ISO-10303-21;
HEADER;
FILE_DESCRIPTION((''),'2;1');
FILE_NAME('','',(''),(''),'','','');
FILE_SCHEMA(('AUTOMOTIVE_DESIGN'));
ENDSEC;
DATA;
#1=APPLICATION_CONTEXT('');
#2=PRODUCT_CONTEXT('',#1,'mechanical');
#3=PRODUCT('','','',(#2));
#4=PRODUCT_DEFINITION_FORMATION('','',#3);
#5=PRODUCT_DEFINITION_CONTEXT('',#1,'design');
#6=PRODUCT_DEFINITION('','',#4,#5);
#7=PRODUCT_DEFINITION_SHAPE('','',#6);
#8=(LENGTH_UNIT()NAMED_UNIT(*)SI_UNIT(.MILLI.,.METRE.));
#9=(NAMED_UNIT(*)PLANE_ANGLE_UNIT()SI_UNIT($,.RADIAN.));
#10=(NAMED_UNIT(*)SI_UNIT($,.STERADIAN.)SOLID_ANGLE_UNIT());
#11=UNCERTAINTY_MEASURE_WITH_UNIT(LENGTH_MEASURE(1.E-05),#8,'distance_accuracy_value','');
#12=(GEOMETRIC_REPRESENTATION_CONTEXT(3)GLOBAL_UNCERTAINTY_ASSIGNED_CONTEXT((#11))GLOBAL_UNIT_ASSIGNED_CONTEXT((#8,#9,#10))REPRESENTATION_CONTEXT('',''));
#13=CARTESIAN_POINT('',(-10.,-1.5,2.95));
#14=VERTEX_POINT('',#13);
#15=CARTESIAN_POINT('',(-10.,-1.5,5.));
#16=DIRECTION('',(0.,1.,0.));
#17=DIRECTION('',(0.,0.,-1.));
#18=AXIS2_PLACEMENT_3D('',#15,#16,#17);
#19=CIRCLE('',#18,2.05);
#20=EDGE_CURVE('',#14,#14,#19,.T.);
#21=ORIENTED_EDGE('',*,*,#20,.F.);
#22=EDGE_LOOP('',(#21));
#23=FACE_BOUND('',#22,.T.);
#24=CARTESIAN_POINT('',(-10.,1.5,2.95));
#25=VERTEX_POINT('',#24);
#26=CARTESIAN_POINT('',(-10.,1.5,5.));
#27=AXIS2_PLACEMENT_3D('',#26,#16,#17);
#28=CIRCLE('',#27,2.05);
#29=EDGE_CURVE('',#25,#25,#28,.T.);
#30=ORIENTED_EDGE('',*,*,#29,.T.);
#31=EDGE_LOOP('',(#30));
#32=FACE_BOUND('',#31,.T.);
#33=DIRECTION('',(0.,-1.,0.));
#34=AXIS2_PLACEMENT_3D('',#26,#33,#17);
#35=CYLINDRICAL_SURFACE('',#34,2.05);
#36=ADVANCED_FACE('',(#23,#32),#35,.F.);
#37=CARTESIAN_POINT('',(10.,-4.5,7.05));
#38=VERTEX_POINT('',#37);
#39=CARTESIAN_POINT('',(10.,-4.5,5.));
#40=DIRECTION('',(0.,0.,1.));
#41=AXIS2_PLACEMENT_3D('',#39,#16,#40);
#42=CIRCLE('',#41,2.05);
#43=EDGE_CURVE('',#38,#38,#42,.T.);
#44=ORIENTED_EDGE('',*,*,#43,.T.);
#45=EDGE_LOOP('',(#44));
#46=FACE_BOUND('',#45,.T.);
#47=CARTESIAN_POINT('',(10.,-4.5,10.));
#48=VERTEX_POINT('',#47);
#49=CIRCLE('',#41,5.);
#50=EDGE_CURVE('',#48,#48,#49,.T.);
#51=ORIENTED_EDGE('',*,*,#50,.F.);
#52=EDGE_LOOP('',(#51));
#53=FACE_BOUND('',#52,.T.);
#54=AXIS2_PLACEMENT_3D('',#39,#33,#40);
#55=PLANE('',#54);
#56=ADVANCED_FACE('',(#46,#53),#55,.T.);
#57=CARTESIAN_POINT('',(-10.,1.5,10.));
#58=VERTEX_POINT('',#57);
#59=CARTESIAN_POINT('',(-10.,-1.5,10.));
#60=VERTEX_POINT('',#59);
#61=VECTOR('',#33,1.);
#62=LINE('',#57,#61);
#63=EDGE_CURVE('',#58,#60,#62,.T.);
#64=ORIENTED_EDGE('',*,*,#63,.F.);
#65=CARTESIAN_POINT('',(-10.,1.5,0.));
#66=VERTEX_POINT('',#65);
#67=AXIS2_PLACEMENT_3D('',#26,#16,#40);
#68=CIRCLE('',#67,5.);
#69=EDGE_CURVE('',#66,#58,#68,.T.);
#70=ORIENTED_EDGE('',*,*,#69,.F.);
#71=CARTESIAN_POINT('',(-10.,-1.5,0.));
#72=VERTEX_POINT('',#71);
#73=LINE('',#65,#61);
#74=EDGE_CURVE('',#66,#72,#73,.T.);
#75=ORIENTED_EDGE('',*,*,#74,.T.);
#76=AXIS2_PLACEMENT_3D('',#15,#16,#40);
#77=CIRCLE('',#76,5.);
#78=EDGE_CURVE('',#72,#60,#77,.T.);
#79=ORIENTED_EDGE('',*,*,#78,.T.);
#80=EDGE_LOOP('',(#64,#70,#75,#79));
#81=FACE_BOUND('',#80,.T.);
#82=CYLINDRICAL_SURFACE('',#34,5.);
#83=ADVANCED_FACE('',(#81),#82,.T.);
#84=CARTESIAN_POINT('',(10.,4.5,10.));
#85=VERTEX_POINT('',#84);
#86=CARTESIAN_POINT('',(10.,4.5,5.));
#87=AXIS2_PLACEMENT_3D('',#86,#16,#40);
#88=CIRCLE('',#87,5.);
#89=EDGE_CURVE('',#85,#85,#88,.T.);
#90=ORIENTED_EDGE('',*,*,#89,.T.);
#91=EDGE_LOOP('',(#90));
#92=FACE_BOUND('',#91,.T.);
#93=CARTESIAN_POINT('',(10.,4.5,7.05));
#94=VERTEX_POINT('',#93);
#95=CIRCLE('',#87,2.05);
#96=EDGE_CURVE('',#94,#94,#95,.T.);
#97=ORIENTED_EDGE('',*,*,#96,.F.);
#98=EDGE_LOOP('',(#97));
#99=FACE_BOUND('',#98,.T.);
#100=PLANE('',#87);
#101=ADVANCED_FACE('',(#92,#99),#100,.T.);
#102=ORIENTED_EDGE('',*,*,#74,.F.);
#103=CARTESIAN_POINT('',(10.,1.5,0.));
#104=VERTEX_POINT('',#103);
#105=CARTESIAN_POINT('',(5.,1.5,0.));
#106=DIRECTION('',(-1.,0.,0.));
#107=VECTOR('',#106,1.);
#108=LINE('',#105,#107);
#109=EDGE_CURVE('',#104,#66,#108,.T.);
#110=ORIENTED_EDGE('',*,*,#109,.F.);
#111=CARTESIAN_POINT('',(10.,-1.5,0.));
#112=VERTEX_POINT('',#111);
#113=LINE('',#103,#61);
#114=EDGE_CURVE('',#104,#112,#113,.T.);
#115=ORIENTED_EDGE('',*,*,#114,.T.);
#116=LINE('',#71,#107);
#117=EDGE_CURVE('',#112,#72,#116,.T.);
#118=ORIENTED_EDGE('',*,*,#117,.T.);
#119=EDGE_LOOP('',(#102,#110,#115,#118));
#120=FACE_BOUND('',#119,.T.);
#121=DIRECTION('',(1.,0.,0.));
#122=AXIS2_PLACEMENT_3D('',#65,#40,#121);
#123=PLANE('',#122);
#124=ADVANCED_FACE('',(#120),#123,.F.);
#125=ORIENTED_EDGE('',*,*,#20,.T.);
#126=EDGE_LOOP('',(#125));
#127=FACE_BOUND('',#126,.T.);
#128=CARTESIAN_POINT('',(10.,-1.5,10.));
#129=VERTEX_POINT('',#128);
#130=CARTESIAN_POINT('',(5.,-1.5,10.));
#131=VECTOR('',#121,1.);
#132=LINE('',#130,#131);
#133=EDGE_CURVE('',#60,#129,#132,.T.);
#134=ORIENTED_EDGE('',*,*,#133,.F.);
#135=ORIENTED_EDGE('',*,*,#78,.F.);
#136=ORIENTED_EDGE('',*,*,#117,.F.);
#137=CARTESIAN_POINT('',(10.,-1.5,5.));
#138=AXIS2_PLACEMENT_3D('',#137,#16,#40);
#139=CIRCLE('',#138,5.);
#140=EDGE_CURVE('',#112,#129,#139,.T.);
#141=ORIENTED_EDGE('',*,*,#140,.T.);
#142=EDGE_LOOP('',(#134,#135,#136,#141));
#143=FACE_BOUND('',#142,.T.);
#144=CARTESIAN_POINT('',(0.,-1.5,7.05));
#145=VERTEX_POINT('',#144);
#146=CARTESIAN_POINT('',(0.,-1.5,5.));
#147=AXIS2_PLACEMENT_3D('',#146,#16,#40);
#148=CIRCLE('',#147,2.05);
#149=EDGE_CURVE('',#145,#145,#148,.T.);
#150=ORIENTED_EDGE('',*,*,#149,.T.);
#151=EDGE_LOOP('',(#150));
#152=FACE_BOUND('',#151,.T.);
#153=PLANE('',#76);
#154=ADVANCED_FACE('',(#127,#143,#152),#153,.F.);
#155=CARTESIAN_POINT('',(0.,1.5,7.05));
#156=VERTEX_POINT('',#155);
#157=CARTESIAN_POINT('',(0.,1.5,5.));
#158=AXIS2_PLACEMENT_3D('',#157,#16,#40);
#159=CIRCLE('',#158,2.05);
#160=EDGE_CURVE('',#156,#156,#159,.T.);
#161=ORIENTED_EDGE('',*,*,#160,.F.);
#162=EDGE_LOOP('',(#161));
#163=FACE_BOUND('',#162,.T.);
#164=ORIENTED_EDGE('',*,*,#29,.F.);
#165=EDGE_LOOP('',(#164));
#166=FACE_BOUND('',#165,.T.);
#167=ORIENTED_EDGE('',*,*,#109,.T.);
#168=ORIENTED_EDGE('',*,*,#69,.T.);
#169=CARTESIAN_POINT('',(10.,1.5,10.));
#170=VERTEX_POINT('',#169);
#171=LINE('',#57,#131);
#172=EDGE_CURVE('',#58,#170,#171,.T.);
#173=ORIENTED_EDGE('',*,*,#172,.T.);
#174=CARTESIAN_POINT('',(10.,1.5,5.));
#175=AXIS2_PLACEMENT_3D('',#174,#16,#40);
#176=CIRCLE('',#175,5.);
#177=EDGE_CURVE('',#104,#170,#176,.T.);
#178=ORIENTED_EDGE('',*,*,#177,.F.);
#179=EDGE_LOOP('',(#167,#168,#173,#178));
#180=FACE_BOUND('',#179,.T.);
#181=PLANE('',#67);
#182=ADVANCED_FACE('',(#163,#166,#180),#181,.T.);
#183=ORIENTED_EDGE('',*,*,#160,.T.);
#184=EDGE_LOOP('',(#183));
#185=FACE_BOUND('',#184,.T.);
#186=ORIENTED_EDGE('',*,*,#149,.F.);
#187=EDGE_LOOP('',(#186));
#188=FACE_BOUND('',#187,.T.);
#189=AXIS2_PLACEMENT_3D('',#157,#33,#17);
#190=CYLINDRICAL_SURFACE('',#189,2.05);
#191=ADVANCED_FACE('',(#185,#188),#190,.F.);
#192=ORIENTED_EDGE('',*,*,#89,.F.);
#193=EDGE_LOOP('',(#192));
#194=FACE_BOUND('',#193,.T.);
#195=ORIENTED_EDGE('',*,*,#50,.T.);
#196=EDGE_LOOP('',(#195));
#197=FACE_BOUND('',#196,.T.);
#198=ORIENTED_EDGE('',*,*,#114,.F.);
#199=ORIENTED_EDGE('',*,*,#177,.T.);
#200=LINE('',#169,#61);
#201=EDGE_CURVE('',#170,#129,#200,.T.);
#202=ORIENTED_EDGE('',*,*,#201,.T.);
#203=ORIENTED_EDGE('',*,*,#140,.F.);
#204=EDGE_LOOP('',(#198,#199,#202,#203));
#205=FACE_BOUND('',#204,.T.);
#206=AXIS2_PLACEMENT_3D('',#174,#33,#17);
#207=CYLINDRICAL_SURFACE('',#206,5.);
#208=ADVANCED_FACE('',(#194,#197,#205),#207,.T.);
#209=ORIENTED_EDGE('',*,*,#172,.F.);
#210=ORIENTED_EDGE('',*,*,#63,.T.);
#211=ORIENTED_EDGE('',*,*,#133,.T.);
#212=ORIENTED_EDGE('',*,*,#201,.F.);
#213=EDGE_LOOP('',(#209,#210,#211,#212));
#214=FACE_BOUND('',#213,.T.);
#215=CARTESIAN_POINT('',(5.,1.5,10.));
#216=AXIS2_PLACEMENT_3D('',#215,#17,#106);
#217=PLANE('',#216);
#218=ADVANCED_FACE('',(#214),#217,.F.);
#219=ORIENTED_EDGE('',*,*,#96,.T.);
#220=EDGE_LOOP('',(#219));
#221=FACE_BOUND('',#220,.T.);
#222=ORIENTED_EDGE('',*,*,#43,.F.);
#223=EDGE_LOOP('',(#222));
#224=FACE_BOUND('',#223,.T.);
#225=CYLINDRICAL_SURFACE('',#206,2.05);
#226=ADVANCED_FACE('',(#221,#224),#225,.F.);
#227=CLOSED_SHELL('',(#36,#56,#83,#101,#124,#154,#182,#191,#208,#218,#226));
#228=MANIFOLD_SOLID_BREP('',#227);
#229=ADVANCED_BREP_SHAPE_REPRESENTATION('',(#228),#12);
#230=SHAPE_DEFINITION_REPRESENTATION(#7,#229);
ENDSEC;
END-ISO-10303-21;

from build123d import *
from build123d.topology import SkipClean

# Parameters (mm, degrees)
SKETCH1_R           = 2.05
BOSS_EXTRUDE1_DEPTH = 1.5
SKETCH2_R           = 5
SKETCH2_R_2         = 2.05
BOSS_EXTRUDE2_DEPTH = 3


with BuildPart() as part:
    # Sketch1 → Boss-Extrude1 (new, symmetric)
    with BuildSketch(Plane(origin=(0, 0, 0), x_dir=(1, 0, 0), z_dir=(0, 1, 0))):
        with BuildLine():
            Line((-10, 0), (-5, 0))
            Line((-5, 0), (5, 0))
            Line((5, 0), (10, 0))
            ThreePointArc((10, 0), (15, -5), (10, -10))
            Line((10, -10), (5, -10))
            Line((5, -10), (-5, -10))
            Line((-5, -10), (-10, -10))
            ThreePointArc((-10, -10), (-15, -5), (-10, 0))
        make_face()
        with Locations(Location((10, -5, 0), (0, 0, 270))):
            Circle(SKETCH1_R, mode=Mode.SUBTRACT)
        with Locations(Location((-10, -5, 0), (0, 0, 90))):
            Circle(SKETCH1_R, mode=Mode.SUBTRACT)
        with Locations(Location((0, -5, 0), (0, 0, 270))):
            Circle(SKETCH1_R, mode=Mode.SUBTRACT)
    extrude(amount=BOSS_EXTRUDE1_DEPTH, both=True)

    # Sketch2 → Boss-Extrude2 (add)
    with BuildSketch(Plane(origin=(0, 1.5, 0), x_dir=(1, 0, 0), z_dir=(0, 1, 0))):
        with Locations(Location((10, -5, 0), (0, 0, 270))):
            Circle(SKETCH2_R)
        with Locations(Location((10, -5, 0), (0, 0, 270))):
            Circle(SKETCH2_R_2, mode=Mode.SUBTRACT)
    boss_extrude2 = extrude(amount=BOSS_EXTRUDE2_DEPTH)

    # Mirror1: Boss-Extrude2 across plane
    with SkipClean():  # the faces are left unmerged after this step: merging them gives an invalid solid
        add(boss_extrude2.mirror(Plane.ZX))


solid = part.part
